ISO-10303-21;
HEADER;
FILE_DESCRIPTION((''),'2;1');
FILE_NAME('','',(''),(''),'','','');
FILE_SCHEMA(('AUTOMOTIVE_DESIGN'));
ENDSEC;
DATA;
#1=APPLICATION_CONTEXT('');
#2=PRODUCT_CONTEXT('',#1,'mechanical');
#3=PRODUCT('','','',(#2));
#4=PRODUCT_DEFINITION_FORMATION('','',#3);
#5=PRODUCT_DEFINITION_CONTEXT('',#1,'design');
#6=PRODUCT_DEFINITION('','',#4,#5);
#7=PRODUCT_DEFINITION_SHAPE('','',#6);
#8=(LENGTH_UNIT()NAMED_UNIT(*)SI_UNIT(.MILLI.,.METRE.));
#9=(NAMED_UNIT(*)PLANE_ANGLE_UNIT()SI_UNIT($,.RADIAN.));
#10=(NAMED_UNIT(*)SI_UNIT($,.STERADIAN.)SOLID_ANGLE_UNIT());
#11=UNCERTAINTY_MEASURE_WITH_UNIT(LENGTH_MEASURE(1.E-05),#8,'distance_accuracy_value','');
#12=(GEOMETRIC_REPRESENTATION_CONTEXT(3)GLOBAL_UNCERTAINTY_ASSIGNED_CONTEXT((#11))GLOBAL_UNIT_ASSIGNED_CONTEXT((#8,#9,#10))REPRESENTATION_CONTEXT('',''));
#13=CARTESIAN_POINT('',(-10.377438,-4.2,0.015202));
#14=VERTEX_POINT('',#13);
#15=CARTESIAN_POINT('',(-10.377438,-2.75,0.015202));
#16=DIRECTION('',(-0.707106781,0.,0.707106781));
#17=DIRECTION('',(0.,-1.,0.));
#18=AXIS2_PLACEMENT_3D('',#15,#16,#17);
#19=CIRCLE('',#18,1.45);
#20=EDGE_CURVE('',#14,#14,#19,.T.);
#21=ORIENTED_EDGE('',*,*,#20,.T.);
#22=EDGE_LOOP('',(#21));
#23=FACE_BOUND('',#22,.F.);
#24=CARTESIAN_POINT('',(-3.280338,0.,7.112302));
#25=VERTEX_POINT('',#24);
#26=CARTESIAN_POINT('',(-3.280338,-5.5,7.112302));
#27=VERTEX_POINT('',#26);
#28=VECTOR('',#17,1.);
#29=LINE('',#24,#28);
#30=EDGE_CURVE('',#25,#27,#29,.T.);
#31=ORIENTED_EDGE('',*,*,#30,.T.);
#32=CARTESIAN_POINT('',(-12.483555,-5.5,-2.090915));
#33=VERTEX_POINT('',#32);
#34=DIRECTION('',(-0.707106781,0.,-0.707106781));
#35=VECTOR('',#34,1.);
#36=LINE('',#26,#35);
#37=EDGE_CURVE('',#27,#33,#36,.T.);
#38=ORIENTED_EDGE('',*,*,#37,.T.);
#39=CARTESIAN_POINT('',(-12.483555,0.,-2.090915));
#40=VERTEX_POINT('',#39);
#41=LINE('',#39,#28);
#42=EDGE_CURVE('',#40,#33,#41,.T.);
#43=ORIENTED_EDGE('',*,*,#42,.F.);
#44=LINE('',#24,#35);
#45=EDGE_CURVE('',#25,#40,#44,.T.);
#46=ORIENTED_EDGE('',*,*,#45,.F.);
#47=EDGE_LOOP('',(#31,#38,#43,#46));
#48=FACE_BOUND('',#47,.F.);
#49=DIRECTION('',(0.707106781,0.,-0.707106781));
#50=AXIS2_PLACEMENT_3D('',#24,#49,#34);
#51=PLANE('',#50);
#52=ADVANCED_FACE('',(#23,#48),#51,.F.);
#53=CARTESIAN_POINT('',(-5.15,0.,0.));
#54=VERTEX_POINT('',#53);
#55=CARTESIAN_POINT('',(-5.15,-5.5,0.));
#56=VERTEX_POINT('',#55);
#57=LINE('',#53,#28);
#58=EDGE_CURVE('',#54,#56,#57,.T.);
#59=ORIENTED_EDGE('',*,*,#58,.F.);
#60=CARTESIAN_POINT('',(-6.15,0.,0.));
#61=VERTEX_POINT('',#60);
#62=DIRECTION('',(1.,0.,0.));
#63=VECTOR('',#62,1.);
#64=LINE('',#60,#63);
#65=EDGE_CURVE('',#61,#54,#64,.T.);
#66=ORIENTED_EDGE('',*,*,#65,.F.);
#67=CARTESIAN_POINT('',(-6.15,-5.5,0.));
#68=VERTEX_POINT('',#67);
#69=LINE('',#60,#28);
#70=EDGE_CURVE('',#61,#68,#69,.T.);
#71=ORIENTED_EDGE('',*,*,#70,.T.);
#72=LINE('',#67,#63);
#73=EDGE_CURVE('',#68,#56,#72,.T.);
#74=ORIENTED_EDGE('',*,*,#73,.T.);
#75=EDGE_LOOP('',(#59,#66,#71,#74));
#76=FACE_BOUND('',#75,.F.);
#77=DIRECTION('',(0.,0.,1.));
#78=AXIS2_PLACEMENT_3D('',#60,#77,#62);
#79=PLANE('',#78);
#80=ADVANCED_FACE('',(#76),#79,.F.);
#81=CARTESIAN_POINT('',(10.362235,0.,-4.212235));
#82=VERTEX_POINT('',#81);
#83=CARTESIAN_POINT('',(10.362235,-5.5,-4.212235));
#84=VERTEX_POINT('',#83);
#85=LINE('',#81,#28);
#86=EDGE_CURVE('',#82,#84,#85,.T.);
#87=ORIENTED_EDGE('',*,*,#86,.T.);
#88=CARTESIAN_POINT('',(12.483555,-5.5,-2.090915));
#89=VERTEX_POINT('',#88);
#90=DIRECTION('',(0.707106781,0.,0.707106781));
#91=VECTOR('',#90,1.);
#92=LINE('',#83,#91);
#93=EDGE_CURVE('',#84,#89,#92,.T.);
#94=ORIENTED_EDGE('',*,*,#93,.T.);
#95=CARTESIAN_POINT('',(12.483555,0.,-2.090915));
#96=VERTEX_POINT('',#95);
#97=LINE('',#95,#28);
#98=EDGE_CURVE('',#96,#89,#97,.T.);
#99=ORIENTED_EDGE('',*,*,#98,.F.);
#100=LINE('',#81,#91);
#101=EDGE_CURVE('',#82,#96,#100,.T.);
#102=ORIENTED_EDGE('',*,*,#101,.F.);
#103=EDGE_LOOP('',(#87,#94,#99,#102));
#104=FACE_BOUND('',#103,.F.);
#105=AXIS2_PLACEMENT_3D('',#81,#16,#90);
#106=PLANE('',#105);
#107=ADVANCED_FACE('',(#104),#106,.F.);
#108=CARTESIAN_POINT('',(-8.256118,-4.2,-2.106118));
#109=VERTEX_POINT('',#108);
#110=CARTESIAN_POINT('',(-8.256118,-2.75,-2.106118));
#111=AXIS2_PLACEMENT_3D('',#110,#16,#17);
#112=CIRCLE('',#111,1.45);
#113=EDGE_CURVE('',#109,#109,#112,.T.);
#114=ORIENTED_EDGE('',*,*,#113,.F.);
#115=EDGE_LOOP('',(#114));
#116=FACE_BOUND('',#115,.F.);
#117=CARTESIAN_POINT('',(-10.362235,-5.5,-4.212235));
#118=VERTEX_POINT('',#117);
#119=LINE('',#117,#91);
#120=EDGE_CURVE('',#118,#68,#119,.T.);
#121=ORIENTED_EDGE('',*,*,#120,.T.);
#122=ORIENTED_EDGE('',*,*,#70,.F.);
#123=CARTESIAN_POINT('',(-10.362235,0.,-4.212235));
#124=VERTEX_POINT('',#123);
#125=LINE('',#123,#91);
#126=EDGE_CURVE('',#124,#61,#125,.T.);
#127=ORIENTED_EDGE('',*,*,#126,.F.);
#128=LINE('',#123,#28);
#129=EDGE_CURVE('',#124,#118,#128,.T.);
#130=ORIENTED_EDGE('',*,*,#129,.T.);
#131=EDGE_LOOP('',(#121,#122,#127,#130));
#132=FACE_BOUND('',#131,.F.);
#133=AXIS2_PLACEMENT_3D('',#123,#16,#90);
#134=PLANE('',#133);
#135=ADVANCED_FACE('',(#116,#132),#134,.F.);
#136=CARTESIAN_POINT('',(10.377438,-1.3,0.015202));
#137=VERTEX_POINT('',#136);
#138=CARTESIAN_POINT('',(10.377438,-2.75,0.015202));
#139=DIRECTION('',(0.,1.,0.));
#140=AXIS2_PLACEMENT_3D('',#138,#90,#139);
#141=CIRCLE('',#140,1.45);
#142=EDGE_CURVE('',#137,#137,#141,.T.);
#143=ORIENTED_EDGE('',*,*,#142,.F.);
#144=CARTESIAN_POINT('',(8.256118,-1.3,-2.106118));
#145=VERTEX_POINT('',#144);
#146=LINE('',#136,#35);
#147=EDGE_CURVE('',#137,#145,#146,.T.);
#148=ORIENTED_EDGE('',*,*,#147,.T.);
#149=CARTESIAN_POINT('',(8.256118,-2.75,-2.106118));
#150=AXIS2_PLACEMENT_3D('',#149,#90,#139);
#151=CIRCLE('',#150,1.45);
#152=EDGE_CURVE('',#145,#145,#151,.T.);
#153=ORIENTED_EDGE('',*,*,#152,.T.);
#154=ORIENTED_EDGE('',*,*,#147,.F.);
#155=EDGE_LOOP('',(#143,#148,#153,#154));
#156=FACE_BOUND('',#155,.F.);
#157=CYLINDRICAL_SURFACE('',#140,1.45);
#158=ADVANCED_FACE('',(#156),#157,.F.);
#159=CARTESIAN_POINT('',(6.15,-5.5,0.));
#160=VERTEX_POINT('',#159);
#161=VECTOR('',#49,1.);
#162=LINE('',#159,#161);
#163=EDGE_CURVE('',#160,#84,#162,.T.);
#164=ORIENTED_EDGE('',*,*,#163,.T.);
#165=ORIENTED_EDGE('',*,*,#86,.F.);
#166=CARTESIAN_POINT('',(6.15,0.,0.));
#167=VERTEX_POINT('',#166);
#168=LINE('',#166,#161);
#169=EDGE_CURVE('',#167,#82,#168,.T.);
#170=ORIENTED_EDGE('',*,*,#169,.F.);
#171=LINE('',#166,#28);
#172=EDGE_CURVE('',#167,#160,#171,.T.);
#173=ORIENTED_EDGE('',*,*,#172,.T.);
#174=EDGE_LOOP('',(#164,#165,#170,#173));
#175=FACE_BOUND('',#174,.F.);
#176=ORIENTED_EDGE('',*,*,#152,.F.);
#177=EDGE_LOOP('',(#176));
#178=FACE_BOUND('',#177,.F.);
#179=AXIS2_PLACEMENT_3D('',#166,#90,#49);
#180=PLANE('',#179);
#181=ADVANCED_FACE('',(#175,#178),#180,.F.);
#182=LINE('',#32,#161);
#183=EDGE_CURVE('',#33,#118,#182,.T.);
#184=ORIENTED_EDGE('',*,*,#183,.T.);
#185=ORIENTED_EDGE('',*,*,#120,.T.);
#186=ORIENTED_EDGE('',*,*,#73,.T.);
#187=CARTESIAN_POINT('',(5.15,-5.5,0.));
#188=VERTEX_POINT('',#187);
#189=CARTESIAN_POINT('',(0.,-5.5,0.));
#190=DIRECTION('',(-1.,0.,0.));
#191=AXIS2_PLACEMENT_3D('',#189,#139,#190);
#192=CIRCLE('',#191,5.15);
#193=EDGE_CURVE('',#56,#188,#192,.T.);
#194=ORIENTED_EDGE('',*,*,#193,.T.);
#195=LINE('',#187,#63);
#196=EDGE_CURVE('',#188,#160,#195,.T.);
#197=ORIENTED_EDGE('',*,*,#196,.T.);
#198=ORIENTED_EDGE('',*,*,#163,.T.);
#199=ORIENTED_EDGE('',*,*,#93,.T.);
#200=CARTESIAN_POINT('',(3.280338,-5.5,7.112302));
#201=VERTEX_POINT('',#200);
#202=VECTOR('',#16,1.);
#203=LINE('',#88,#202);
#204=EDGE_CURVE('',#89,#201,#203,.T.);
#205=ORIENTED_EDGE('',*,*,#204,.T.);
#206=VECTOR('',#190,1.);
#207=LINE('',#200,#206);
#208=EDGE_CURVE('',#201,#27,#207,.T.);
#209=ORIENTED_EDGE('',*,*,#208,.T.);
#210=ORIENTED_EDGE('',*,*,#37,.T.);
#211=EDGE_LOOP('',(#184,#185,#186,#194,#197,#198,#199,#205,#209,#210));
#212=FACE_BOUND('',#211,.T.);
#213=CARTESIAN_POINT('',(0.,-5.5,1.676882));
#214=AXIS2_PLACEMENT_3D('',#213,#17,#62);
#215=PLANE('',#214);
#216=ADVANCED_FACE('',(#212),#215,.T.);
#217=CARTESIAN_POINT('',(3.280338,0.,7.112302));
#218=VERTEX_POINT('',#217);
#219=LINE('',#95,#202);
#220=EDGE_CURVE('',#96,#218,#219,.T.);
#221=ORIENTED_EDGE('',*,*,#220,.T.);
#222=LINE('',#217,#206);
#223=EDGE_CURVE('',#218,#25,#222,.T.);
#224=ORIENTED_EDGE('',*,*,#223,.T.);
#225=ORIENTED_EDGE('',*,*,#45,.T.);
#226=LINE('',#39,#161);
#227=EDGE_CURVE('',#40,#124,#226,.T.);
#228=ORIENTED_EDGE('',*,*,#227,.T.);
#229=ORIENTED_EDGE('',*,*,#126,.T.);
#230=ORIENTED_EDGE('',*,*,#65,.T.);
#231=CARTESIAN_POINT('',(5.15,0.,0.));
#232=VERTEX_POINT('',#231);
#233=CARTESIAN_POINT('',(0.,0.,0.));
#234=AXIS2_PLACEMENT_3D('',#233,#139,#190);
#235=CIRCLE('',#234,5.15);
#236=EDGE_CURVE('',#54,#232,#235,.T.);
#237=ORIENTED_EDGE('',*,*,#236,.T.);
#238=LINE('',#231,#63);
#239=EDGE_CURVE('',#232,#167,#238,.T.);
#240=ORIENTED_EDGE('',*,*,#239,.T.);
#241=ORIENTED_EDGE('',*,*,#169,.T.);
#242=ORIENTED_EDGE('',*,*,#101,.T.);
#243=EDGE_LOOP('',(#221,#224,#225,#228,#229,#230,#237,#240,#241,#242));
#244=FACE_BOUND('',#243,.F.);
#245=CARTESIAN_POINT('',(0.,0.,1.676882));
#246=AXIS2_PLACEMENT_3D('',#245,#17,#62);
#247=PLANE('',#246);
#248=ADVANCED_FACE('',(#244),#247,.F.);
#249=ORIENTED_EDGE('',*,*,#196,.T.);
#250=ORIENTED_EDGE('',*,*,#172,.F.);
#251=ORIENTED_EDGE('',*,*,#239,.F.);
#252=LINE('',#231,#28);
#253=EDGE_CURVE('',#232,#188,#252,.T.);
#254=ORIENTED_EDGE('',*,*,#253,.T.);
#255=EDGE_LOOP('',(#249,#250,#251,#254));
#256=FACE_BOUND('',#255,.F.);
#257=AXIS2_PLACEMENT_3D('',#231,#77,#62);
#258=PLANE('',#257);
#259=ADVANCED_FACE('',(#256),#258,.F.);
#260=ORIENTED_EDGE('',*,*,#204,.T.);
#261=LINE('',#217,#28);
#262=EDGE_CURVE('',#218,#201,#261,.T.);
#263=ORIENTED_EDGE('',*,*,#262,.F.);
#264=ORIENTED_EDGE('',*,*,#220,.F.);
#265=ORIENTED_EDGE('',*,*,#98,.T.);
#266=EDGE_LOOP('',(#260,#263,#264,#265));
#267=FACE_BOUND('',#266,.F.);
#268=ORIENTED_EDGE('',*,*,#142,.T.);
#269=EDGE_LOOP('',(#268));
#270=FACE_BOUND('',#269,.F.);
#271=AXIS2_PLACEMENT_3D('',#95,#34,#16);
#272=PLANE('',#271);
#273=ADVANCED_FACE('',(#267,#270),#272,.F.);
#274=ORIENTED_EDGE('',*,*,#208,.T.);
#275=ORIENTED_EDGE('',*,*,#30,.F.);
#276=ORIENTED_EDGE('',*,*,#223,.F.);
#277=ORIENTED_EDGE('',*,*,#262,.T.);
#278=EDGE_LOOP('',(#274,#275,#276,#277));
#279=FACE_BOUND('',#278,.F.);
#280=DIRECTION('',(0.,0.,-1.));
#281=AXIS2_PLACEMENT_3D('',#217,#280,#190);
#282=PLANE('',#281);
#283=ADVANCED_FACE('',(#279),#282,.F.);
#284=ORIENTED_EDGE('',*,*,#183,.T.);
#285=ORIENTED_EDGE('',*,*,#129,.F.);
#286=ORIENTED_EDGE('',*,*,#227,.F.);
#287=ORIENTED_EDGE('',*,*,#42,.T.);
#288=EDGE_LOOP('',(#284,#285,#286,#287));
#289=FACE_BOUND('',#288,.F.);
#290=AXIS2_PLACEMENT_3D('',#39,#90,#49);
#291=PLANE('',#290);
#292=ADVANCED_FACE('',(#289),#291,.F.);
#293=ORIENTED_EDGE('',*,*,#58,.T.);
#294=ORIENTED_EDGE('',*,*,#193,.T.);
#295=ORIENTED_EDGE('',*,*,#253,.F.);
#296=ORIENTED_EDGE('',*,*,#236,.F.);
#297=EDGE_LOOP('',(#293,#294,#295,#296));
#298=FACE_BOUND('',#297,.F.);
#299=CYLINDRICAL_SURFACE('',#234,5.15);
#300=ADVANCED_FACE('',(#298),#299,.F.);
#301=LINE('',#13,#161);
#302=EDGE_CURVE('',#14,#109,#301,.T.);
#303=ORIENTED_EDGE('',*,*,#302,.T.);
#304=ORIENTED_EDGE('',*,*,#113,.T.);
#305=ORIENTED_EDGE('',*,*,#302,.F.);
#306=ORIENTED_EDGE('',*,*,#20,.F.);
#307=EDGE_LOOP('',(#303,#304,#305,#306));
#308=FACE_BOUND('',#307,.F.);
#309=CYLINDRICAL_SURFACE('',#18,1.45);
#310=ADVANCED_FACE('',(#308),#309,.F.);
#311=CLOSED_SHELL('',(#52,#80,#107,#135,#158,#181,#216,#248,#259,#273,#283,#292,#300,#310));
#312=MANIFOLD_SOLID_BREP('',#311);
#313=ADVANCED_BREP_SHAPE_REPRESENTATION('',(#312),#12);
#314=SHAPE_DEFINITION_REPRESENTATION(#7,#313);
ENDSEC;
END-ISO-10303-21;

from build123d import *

# Parameters (mm, degrees)
F1_DEPTH = 5.5
F2_R     = 1.45
F3_DEPTH = 25
F4_R     = 1.45
F5_DEPTH = 25


with BuildPart() as f1:
    # F0 (on Front) → F1 (new body)
    with BuildSketch(Plane.XZ):
        with BuildLine():
            ThreePointArc((-5.15, 0), (0, 5.15), (5.15, 0))
            Line((5.15, 0), (6.15, 0))
            Line((6.15, 0), (10.362235, -4.212235))
            Line((10.362235, -4.212235), (12.483555, -2.090915))
            Line((12.483555, -2.090915), (3.280338, 7.112302))
            Line((3.280338, 7.112302), (-3.280338, 7.112302))
            Line((-3.280338, 7.112302), (-12.483555, -2.090915))
            Line((-12.483555, -2.090915), (-10.362235, -4.212235))
            Line((-10.362235, -4.212235), (-6.15, 0))
            Line((-6.15, 0), (-5.15, 0))
        make_face()
    extrude(amount=F1_DEPTH)

    # F2 (on face) → F3 (cut)
    with BuildSketch(Plane(origin=(-5.19632, 0, 5.19632), x_dir=(0, -1, 0), z_dir=(-0.707107, 0, 0.707107))):
        with Locations((2.75, -7.327207)):
            Circle(F2_R)
    extrude(amount=-F3_DEPTH, mode=Mode.SUBTRACT)

    # F4 (on face) → F5 (cut)
    with BuildSketch(Plane(origin=(5.19632, 0, 5.19632), x_dir=(0, 1, 0), z_dir=(0.707107, 0, 0.707107))):
        with Locations((-2.75, -7.327207)):
            Circle(F4_R)
    extrude(amount=-F5_DEPTH, mode=Mode.SUBTRACT)


solid = f1.part
